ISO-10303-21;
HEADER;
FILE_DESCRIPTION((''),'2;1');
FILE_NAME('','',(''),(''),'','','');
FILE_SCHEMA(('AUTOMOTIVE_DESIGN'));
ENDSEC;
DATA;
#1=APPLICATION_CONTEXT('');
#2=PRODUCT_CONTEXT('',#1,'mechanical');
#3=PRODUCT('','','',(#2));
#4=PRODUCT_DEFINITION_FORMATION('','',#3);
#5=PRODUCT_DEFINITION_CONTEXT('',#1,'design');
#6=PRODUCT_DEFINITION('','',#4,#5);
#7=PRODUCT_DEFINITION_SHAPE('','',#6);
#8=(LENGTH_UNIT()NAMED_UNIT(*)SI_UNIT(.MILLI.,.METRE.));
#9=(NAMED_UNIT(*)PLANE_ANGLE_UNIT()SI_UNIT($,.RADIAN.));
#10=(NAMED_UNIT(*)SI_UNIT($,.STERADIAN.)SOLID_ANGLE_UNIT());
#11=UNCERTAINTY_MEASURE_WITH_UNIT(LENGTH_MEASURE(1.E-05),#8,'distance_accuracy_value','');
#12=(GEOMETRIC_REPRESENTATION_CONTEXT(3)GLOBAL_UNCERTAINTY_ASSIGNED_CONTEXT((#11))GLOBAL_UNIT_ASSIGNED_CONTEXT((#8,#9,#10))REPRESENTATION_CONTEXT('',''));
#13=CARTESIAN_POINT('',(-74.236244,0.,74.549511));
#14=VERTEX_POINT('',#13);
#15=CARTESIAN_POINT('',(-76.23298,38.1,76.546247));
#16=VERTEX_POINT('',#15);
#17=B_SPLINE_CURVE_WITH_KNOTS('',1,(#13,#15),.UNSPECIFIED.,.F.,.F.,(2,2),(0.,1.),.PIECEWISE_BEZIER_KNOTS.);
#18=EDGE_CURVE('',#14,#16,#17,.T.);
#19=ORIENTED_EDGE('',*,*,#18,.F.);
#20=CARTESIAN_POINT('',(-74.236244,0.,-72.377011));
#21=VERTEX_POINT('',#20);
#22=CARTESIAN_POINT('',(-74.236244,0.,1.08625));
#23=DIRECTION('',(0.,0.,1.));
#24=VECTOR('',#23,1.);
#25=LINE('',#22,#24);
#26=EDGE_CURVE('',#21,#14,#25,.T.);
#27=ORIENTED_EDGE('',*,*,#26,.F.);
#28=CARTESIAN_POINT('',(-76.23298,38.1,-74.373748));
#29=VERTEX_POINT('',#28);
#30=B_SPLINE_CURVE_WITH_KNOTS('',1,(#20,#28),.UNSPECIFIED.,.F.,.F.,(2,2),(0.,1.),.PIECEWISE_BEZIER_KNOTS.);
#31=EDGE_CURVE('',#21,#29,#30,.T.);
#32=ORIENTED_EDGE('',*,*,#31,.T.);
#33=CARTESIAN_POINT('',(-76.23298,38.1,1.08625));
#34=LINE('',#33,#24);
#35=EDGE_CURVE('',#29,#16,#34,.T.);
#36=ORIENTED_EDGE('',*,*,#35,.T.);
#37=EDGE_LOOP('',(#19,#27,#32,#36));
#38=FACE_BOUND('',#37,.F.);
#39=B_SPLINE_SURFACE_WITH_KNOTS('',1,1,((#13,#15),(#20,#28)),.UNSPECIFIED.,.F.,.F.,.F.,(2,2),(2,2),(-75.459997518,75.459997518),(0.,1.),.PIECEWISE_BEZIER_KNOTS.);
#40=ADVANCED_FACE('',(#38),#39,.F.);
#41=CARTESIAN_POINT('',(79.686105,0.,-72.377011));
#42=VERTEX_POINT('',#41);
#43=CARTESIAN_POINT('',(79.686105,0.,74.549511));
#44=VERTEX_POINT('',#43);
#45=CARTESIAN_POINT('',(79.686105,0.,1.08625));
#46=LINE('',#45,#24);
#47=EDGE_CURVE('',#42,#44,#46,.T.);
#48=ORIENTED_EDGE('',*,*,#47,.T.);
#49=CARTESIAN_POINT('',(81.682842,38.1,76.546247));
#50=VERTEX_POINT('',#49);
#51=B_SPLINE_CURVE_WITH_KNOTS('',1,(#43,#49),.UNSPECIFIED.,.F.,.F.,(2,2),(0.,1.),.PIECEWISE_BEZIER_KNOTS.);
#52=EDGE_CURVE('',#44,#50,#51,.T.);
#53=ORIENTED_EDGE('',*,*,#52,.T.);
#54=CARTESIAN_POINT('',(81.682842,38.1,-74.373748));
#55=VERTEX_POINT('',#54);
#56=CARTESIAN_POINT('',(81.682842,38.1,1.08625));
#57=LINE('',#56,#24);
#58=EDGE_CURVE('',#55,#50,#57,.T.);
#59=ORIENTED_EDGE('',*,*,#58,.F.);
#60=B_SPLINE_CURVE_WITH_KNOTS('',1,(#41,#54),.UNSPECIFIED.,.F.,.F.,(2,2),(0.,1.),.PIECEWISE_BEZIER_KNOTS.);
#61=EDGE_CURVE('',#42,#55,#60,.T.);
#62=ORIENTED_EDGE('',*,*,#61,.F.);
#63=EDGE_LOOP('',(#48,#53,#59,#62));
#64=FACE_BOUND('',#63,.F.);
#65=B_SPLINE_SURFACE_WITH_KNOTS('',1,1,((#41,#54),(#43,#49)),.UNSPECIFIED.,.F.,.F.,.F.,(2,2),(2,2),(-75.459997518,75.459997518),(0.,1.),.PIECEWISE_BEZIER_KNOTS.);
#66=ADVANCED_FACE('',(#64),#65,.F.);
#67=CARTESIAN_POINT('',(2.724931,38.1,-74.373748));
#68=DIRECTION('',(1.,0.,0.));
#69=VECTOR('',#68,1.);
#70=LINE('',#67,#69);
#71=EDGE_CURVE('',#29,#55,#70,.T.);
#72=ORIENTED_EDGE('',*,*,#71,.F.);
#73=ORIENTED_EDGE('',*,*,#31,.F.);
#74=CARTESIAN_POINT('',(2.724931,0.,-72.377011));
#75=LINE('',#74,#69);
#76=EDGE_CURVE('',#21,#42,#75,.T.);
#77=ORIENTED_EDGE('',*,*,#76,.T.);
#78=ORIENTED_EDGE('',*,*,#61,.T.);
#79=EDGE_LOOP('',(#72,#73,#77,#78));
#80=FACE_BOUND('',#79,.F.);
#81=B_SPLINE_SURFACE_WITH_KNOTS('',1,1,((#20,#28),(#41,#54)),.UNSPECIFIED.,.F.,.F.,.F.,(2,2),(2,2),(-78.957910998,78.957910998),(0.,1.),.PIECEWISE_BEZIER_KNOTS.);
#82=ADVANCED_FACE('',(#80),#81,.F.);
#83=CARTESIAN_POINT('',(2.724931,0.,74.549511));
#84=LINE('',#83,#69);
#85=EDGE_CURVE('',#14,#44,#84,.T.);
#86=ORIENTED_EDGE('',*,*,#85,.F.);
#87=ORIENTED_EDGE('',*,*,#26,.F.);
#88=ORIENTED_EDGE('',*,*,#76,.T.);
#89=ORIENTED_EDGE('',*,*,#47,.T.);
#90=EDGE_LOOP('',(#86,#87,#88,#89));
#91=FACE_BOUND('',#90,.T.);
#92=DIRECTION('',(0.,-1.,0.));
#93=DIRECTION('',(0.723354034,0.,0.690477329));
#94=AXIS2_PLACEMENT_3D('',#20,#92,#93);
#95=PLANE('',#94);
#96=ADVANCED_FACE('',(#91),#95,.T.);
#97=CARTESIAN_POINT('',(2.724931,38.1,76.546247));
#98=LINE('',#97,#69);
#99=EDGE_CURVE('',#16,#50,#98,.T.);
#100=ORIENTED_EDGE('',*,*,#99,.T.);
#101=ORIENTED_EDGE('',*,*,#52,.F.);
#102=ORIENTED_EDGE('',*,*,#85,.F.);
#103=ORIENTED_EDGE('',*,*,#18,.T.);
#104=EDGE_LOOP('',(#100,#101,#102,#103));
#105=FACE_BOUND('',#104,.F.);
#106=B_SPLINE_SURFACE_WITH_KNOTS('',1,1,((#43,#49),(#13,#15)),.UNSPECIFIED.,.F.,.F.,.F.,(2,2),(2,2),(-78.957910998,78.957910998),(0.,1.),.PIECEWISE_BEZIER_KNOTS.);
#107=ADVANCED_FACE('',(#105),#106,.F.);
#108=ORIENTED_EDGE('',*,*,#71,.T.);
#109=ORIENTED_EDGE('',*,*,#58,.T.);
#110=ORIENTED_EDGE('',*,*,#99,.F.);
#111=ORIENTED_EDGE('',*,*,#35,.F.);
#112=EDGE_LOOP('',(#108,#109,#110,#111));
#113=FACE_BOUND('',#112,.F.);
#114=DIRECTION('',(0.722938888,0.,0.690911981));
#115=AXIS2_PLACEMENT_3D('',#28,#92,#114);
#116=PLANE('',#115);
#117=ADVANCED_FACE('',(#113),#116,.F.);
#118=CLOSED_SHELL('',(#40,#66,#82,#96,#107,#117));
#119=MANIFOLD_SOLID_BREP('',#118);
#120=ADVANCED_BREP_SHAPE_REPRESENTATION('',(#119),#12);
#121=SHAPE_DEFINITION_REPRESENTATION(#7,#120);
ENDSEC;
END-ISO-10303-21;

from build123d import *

# Parameters (mm, degrees)
F0_W     = 153.9223492146
F0_H     = 146.9265222549
F2_DEPTH = 38.1
F2_TAPER = -3


with BuildPart() as f2:
    # F0 (on Front) → F2 (new body)
    with BuildSketch(Plane.XZ):
        with Locations((2.724930644, 1.0862499475)):
            Rectangle(F0_W, F0_H)
    extrude(amount=-F2_DEPTH, taper=F2_TAPER)


solid = f2.part
